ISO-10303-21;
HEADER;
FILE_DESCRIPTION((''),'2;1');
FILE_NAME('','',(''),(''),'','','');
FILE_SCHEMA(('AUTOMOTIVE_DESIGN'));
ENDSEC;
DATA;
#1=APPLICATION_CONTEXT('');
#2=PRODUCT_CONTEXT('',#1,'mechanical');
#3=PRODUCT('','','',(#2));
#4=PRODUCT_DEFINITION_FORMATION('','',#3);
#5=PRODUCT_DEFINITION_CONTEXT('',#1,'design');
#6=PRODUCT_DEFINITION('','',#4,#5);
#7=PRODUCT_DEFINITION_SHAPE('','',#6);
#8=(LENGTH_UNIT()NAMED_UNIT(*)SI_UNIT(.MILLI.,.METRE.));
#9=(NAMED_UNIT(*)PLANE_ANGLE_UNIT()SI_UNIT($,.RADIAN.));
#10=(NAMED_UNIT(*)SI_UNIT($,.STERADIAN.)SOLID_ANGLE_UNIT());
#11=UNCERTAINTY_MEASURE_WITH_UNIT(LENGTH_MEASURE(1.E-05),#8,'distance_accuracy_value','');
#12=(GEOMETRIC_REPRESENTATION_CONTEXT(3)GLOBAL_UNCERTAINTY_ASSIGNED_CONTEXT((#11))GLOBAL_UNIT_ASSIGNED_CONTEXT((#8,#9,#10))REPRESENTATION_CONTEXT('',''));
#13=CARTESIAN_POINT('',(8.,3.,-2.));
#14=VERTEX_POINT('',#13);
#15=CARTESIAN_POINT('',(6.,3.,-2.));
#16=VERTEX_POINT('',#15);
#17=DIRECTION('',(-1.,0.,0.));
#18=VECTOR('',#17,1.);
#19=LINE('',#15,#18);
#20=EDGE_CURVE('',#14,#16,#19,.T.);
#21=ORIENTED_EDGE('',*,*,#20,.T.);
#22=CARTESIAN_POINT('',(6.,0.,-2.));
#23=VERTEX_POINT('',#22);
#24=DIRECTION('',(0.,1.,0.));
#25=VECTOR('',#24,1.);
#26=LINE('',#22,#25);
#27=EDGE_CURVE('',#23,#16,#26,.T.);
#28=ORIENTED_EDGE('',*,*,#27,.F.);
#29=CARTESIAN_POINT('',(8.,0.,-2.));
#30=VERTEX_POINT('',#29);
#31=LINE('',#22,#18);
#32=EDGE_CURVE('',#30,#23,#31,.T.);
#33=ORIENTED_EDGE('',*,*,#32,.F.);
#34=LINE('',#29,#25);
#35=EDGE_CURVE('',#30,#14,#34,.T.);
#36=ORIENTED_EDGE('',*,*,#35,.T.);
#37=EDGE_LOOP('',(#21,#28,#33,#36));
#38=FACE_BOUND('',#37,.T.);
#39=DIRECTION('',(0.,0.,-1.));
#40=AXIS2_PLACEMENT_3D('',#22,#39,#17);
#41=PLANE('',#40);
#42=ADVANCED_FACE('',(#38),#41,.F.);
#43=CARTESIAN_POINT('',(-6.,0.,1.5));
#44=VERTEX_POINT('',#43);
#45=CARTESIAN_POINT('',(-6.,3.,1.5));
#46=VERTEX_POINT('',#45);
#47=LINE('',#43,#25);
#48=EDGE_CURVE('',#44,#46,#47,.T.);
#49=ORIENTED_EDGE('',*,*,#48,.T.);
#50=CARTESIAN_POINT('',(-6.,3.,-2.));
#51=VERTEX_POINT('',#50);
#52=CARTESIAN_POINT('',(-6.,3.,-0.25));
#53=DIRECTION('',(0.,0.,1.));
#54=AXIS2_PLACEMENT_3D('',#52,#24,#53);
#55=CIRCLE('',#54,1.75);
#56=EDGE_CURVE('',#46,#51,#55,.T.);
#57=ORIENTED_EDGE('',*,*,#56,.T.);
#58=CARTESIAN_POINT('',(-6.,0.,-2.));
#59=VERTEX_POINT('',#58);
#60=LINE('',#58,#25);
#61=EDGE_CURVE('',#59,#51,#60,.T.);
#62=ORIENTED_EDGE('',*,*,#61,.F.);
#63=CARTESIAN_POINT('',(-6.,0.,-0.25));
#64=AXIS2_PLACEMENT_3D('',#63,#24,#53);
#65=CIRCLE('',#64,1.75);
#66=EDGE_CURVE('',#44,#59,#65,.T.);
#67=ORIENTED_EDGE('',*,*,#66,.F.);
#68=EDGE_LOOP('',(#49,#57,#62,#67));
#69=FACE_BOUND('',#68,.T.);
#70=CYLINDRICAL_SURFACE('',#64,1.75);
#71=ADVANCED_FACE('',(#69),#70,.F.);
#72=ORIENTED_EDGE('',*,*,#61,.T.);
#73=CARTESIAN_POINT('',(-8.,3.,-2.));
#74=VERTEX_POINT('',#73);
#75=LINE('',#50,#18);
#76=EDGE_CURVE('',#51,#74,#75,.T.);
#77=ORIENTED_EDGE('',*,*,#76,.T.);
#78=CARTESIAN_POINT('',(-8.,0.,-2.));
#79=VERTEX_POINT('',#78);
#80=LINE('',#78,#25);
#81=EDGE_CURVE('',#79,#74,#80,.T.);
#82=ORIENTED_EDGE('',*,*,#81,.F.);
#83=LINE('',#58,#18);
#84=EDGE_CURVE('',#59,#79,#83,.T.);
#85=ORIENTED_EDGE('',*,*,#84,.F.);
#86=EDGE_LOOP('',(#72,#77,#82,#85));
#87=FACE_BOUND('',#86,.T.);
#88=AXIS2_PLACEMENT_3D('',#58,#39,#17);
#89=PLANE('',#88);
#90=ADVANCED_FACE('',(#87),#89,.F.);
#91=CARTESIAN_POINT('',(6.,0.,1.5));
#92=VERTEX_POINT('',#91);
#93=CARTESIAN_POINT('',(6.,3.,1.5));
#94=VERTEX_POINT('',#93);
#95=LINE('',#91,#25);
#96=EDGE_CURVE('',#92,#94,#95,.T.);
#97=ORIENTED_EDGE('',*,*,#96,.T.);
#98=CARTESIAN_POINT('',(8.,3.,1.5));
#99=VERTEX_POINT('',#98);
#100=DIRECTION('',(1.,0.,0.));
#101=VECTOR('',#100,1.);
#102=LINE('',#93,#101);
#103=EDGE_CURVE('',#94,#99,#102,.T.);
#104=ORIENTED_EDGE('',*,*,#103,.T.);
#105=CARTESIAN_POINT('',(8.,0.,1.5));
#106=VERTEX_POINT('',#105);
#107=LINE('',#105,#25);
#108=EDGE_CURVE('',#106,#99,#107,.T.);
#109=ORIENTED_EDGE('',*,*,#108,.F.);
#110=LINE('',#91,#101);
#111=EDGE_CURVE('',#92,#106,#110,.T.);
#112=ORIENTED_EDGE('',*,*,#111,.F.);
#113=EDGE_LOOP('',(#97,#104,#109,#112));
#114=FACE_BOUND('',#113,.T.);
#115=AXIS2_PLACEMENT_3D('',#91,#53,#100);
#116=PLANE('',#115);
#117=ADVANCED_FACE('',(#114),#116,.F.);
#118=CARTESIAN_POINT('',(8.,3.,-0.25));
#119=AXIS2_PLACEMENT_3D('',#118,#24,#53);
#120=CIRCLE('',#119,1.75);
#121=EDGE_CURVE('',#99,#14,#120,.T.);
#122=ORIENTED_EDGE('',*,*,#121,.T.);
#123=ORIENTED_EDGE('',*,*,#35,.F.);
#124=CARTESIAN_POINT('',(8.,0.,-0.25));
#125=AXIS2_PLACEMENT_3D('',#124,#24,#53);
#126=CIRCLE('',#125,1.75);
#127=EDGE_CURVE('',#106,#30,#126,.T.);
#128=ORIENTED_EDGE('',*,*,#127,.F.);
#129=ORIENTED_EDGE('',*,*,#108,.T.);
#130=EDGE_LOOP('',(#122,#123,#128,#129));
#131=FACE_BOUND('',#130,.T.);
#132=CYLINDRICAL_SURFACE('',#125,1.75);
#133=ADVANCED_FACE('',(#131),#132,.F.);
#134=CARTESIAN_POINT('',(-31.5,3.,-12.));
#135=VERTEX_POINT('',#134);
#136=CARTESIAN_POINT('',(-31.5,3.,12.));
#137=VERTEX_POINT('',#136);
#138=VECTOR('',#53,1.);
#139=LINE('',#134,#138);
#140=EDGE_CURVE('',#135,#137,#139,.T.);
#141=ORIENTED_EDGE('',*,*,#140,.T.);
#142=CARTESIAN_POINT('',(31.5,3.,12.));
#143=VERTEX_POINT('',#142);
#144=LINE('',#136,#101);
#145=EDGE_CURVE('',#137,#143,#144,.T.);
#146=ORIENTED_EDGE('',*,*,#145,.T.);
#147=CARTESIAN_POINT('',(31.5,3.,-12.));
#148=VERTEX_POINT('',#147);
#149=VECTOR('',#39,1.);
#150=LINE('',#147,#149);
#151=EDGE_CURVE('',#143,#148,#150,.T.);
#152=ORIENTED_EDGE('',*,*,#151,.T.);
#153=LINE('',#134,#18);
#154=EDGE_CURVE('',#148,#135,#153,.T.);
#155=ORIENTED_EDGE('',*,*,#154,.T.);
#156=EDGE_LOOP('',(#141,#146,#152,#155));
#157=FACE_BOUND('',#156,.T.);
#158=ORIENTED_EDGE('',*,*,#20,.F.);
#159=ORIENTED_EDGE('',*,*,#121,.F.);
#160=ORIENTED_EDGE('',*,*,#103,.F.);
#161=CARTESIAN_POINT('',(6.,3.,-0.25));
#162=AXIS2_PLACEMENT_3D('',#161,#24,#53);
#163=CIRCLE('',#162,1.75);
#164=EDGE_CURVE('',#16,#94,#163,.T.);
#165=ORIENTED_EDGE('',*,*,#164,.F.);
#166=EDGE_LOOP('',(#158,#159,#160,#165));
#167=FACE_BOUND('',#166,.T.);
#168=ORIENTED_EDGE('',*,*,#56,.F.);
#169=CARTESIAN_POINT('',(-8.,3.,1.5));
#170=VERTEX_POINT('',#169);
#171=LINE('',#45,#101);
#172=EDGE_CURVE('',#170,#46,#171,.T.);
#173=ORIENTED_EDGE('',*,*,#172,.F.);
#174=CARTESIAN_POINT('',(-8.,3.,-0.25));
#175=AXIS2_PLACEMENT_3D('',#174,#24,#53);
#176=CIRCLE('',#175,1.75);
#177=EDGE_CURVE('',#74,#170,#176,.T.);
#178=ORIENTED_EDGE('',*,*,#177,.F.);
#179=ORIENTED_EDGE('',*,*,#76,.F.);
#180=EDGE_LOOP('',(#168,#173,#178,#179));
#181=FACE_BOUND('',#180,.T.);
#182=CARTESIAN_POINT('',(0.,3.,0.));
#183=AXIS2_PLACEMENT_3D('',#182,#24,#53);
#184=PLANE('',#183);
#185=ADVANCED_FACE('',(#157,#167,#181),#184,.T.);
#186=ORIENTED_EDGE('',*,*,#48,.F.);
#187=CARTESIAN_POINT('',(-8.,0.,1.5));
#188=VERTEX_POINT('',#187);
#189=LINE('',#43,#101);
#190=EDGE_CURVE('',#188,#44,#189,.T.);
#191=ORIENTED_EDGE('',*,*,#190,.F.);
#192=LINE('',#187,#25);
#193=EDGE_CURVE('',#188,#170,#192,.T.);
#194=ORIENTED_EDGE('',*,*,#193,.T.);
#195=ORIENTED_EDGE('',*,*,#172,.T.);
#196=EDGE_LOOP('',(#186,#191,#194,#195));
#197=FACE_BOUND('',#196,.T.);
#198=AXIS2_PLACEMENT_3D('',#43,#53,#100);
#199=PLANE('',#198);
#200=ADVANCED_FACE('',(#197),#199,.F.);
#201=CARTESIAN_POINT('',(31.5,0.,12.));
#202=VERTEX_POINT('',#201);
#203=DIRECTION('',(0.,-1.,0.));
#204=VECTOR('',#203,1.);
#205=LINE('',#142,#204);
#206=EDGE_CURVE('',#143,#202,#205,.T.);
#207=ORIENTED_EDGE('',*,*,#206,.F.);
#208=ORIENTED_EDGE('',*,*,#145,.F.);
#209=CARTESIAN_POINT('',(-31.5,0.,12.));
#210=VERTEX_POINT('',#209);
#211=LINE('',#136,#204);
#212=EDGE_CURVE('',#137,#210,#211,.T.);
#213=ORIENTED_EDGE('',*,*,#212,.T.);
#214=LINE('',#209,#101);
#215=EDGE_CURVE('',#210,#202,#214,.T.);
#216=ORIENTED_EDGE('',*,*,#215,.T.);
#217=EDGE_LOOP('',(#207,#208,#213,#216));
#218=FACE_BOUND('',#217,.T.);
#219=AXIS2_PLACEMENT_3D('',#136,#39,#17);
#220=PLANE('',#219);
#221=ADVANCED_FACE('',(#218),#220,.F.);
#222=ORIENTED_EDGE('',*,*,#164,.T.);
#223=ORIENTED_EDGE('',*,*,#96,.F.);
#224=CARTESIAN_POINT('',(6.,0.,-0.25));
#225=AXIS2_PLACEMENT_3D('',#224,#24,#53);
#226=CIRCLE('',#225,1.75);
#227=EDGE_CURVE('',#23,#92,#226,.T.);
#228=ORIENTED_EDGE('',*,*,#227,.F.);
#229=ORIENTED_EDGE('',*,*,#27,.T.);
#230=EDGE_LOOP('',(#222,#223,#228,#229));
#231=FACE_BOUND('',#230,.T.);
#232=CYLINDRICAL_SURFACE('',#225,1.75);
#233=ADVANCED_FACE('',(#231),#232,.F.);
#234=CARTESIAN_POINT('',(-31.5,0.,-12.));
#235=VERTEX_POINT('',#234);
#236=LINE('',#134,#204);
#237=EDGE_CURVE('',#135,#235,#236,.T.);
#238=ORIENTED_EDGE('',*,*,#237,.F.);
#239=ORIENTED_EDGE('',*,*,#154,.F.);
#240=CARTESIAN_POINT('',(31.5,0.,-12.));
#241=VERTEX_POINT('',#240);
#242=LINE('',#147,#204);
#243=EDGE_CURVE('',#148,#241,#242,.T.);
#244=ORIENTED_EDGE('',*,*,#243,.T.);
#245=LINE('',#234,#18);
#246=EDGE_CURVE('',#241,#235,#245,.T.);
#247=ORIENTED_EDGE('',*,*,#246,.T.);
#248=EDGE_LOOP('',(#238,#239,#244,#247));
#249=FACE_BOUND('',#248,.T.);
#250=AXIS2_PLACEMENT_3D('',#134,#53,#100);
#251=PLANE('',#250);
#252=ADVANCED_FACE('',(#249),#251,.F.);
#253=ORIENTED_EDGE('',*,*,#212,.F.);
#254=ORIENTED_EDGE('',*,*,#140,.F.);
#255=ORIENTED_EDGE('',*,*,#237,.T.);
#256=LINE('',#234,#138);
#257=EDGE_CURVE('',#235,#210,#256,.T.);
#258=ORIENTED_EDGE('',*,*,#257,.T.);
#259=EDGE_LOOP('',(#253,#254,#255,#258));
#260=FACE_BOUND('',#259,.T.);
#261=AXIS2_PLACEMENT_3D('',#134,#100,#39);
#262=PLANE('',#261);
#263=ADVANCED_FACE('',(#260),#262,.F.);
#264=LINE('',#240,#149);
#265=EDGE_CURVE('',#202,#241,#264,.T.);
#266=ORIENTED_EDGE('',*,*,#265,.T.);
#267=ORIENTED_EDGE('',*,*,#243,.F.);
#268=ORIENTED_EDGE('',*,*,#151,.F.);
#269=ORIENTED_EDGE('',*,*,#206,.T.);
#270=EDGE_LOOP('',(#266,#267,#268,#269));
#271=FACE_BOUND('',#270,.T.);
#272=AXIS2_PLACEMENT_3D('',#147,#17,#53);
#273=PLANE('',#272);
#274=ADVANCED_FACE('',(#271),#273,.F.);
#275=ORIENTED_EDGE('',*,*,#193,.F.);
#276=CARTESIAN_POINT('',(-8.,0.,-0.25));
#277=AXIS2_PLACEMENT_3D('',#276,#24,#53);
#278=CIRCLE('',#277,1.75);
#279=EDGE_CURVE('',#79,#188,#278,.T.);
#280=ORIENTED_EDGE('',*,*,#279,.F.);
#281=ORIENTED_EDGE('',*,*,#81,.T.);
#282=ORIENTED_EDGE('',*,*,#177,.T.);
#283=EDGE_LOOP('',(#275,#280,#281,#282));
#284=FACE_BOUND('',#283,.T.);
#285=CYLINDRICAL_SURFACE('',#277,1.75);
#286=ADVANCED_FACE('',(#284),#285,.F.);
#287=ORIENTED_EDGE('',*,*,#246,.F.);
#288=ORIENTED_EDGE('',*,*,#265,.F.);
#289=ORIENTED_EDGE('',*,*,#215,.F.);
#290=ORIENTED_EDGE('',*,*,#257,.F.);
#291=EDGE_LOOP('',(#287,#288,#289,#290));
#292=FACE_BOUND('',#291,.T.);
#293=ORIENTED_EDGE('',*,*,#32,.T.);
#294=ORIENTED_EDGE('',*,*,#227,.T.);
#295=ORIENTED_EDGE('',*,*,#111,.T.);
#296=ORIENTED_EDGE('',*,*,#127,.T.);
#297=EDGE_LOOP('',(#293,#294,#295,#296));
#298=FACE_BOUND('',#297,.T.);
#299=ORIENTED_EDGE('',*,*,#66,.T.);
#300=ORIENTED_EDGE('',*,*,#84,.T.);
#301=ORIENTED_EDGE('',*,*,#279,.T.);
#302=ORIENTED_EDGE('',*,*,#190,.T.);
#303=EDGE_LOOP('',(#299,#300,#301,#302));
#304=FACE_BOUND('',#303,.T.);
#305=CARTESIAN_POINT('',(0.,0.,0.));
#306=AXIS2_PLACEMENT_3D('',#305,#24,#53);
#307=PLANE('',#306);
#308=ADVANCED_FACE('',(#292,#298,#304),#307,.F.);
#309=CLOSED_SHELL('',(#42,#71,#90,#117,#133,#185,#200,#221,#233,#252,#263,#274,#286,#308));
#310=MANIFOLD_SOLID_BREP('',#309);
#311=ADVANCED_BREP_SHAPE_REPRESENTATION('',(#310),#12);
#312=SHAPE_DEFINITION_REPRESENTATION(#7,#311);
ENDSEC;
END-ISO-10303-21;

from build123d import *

# Parameters (mm, degrees)
SKETCH_1_W          = 63
SKETCH_1_H          = 24
EXTRUDE_1_DEPTH     = 3
CUT_EXTRUDE_1_DEPTH = 3


with BuildPart() as part:
    # 草图1 → 凸台-拉伸1 (new body)
    with BuildSketch(Plane(origin=(0, 0, 0), x_dir=(1, 0, 0), z_dir=(0, 1, 0))):
        Rectangle(SKETCH_1_W, SKETCH_1_H)
    extrude(amount=EXTRUDE_1_DEPTH)

    # 草图2 → 切除-拉伸1 (cut)
    with BuildSketch(Plane(origin=(0, 3, 0), x_dir=(1, 0, 0), z_dir=(0, 1, 0))):
        with BuildLine():
            Line((-6, -1.5), (-8, -1.5))
            ThreePointArc((-8, -1.5), (-9.75, 0.25), (-8, 2))
            Line((-8, 2), (-6, 2))
            ThreePointArc((-6, 2), (-4.25, 0.25), (-6, -1.5))
        make_face()
        with BuildLine():
            Line((6, 2), (8, 2))
            ThreePointArc((8, 2), (9.75, 0.25), (8, -1.5))
            Line((8, -1.5), (6, -1.5))
            ThreePointArc((6, -1.5), (4.25, 0.25), (6, 2))
        make_face()
    extrude(amount=-CUT_EXTRUDE_1_DEPTH, mode=Mode.SUBTRACT)


solid = part.part
